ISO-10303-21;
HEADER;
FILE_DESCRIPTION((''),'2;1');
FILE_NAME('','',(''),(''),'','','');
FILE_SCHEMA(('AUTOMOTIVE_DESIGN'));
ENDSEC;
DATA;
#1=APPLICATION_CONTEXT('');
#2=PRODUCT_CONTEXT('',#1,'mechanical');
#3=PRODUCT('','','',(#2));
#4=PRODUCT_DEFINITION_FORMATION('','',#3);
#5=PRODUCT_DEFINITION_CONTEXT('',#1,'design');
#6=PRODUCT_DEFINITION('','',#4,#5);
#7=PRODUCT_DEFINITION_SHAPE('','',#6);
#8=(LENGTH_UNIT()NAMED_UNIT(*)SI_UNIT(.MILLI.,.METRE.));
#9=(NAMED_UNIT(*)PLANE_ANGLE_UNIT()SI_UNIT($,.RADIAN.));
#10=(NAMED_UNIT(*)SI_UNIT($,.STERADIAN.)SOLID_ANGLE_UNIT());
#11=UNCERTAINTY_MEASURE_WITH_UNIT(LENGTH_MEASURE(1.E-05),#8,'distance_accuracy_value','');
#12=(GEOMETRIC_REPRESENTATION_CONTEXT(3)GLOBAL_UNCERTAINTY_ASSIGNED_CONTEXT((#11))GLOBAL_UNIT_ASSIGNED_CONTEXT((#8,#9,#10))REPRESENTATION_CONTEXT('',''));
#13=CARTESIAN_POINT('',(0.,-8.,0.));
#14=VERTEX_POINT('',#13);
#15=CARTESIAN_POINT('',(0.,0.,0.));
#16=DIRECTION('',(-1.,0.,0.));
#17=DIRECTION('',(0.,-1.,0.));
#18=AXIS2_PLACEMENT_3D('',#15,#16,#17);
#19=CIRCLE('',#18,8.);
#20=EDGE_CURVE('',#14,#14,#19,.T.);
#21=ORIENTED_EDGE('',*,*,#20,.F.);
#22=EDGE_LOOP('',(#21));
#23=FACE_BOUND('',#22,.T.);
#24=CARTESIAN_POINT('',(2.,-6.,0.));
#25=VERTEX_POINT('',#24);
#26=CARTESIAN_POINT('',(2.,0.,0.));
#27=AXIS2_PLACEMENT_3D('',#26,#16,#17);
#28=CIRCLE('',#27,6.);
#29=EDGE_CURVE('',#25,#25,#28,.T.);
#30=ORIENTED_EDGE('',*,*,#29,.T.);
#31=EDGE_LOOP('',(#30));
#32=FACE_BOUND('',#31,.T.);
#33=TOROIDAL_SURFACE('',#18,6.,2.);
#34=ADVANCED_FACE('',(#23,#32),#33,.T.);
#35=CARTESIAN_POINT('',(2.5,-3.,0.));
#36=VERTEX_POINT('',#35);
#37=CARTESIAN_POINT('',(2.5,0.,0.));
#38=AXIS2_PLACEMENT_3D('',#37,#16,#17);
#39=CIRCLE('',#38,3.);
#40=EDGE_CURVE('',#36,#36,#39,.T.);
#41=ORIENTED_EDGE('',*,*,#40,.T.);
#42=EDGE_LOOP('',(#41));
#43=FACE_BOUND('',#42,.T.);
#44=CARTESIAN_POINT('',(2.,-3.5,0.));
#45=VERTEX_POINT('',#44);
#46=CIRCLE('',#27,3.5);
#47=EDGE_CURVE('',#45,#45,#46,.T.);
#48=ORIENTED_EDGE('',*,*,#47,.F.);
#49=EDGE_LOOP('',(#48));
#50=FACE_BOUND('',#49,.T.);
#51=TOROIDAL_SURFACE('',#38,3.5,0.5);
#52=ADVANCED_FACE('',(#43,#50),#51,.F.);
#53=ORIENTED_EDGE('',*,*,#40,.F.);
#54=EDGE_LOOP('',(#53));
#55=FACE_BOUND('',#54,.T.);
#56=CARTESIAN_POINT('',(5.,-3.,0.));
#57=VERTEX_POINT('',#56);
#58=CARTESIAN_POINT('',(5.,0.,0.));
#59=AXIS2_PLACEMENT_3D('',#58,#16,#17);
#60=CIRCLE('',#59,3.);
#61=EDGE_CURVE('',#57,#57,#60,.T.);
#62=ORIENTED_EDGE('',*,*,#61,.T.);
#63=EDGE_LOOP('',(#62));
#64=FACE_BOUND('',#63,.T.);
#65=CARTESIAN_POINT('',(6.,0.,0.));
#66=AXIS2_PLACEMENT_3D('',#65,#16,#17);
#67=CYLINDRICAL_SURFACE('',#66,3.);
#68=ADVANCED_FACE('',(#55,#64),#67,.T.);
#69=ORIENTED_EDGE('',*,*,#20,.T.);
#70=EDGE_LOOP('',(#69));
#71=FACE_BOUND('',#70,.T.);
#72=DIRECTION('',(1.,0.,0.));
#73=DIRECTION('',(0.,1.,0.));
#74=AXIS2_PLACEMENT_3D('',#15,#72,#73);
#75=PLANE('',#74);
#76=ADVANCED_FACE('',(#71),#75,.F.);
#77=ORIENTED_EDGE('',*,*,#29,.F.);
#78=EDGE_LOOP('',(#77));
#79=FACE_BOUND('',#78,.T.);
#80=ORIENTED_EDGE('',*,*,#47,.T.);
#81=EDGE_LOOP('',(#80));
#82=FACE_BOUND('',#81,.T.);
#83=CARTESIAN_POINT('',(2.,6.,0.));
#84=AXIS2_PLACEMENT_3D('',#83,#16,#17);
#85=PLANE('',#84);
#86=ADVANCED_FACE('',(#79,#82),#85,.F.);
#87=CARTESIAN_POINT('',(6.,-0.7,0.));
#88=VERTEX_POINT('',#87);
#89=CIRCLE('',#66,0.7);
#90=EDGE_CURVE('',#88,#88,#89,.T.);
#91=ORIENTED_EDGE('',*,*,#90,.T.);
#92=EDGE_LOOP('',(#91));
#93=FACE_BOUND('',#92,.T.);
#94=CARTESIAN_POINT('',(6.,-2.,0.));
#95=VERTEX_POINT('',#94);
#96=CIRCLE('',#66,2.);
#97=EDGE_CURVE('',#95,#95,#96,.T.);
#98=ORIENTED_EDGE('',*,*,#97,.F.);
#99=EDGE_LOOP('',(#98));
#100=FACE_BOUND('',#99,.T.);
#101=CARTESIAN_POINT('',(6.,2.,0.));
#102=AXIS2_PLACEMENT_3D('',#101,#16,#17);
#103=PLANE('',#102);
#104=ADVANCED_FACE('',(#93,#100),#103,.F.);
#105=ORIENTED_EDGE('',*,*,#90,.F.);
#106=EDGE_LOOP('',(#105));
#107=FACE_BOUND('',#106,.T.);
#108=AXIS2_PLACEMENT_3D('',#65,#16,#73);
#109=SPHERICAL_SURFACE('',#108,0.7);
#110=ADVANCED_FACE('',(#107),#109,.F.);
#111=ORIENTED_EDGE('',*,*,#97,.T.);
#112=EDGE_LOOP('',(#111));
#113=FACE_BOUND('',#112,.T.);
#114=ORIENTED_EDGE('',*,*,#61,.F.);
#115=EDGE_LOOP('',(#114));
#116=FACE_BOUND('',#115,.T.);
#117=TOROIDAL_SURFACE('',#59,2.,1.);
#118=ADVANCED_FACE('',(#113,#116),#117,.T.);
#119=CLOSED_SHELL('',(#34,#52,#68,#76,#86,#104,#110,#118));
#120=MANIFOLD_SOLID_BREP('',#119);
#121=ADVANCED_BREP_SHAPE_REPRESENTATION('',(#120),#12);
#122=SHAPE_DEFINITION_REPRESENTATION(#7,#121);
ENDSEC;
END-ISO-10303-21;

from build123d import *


with BuildPart() as part:
    # 草图1 → 旋转1 (revolve)
    with BuildSketch(Plane.XY):
        with BuildLine():
            Line((0, 0), (0, 8))
            ThreePointArc((0, 8), (1.414213562, 7.414213562), (2, 6))
            Line((2, 6), (2, 3.5))
            ThreePointArc((2, 3.5), (2.146446609, 3.146446609), (2.5, 3))
            Line((2.5, 3), (5, 3))
            ThreePointArc((5, 3), (5.707106781, 2.707106781), (6, 2))
            Line((6, 2), (6, 0.7))
            ThreePointArc((6, 0.7), (5.505025253, 0.494974747), (5.3, 0))
            Line((5.3, 0), (0, 0))
        make_face()
    revolve(axis=Axis((6, 0, 0), (-1, 0, 0)))


solid = part.part
